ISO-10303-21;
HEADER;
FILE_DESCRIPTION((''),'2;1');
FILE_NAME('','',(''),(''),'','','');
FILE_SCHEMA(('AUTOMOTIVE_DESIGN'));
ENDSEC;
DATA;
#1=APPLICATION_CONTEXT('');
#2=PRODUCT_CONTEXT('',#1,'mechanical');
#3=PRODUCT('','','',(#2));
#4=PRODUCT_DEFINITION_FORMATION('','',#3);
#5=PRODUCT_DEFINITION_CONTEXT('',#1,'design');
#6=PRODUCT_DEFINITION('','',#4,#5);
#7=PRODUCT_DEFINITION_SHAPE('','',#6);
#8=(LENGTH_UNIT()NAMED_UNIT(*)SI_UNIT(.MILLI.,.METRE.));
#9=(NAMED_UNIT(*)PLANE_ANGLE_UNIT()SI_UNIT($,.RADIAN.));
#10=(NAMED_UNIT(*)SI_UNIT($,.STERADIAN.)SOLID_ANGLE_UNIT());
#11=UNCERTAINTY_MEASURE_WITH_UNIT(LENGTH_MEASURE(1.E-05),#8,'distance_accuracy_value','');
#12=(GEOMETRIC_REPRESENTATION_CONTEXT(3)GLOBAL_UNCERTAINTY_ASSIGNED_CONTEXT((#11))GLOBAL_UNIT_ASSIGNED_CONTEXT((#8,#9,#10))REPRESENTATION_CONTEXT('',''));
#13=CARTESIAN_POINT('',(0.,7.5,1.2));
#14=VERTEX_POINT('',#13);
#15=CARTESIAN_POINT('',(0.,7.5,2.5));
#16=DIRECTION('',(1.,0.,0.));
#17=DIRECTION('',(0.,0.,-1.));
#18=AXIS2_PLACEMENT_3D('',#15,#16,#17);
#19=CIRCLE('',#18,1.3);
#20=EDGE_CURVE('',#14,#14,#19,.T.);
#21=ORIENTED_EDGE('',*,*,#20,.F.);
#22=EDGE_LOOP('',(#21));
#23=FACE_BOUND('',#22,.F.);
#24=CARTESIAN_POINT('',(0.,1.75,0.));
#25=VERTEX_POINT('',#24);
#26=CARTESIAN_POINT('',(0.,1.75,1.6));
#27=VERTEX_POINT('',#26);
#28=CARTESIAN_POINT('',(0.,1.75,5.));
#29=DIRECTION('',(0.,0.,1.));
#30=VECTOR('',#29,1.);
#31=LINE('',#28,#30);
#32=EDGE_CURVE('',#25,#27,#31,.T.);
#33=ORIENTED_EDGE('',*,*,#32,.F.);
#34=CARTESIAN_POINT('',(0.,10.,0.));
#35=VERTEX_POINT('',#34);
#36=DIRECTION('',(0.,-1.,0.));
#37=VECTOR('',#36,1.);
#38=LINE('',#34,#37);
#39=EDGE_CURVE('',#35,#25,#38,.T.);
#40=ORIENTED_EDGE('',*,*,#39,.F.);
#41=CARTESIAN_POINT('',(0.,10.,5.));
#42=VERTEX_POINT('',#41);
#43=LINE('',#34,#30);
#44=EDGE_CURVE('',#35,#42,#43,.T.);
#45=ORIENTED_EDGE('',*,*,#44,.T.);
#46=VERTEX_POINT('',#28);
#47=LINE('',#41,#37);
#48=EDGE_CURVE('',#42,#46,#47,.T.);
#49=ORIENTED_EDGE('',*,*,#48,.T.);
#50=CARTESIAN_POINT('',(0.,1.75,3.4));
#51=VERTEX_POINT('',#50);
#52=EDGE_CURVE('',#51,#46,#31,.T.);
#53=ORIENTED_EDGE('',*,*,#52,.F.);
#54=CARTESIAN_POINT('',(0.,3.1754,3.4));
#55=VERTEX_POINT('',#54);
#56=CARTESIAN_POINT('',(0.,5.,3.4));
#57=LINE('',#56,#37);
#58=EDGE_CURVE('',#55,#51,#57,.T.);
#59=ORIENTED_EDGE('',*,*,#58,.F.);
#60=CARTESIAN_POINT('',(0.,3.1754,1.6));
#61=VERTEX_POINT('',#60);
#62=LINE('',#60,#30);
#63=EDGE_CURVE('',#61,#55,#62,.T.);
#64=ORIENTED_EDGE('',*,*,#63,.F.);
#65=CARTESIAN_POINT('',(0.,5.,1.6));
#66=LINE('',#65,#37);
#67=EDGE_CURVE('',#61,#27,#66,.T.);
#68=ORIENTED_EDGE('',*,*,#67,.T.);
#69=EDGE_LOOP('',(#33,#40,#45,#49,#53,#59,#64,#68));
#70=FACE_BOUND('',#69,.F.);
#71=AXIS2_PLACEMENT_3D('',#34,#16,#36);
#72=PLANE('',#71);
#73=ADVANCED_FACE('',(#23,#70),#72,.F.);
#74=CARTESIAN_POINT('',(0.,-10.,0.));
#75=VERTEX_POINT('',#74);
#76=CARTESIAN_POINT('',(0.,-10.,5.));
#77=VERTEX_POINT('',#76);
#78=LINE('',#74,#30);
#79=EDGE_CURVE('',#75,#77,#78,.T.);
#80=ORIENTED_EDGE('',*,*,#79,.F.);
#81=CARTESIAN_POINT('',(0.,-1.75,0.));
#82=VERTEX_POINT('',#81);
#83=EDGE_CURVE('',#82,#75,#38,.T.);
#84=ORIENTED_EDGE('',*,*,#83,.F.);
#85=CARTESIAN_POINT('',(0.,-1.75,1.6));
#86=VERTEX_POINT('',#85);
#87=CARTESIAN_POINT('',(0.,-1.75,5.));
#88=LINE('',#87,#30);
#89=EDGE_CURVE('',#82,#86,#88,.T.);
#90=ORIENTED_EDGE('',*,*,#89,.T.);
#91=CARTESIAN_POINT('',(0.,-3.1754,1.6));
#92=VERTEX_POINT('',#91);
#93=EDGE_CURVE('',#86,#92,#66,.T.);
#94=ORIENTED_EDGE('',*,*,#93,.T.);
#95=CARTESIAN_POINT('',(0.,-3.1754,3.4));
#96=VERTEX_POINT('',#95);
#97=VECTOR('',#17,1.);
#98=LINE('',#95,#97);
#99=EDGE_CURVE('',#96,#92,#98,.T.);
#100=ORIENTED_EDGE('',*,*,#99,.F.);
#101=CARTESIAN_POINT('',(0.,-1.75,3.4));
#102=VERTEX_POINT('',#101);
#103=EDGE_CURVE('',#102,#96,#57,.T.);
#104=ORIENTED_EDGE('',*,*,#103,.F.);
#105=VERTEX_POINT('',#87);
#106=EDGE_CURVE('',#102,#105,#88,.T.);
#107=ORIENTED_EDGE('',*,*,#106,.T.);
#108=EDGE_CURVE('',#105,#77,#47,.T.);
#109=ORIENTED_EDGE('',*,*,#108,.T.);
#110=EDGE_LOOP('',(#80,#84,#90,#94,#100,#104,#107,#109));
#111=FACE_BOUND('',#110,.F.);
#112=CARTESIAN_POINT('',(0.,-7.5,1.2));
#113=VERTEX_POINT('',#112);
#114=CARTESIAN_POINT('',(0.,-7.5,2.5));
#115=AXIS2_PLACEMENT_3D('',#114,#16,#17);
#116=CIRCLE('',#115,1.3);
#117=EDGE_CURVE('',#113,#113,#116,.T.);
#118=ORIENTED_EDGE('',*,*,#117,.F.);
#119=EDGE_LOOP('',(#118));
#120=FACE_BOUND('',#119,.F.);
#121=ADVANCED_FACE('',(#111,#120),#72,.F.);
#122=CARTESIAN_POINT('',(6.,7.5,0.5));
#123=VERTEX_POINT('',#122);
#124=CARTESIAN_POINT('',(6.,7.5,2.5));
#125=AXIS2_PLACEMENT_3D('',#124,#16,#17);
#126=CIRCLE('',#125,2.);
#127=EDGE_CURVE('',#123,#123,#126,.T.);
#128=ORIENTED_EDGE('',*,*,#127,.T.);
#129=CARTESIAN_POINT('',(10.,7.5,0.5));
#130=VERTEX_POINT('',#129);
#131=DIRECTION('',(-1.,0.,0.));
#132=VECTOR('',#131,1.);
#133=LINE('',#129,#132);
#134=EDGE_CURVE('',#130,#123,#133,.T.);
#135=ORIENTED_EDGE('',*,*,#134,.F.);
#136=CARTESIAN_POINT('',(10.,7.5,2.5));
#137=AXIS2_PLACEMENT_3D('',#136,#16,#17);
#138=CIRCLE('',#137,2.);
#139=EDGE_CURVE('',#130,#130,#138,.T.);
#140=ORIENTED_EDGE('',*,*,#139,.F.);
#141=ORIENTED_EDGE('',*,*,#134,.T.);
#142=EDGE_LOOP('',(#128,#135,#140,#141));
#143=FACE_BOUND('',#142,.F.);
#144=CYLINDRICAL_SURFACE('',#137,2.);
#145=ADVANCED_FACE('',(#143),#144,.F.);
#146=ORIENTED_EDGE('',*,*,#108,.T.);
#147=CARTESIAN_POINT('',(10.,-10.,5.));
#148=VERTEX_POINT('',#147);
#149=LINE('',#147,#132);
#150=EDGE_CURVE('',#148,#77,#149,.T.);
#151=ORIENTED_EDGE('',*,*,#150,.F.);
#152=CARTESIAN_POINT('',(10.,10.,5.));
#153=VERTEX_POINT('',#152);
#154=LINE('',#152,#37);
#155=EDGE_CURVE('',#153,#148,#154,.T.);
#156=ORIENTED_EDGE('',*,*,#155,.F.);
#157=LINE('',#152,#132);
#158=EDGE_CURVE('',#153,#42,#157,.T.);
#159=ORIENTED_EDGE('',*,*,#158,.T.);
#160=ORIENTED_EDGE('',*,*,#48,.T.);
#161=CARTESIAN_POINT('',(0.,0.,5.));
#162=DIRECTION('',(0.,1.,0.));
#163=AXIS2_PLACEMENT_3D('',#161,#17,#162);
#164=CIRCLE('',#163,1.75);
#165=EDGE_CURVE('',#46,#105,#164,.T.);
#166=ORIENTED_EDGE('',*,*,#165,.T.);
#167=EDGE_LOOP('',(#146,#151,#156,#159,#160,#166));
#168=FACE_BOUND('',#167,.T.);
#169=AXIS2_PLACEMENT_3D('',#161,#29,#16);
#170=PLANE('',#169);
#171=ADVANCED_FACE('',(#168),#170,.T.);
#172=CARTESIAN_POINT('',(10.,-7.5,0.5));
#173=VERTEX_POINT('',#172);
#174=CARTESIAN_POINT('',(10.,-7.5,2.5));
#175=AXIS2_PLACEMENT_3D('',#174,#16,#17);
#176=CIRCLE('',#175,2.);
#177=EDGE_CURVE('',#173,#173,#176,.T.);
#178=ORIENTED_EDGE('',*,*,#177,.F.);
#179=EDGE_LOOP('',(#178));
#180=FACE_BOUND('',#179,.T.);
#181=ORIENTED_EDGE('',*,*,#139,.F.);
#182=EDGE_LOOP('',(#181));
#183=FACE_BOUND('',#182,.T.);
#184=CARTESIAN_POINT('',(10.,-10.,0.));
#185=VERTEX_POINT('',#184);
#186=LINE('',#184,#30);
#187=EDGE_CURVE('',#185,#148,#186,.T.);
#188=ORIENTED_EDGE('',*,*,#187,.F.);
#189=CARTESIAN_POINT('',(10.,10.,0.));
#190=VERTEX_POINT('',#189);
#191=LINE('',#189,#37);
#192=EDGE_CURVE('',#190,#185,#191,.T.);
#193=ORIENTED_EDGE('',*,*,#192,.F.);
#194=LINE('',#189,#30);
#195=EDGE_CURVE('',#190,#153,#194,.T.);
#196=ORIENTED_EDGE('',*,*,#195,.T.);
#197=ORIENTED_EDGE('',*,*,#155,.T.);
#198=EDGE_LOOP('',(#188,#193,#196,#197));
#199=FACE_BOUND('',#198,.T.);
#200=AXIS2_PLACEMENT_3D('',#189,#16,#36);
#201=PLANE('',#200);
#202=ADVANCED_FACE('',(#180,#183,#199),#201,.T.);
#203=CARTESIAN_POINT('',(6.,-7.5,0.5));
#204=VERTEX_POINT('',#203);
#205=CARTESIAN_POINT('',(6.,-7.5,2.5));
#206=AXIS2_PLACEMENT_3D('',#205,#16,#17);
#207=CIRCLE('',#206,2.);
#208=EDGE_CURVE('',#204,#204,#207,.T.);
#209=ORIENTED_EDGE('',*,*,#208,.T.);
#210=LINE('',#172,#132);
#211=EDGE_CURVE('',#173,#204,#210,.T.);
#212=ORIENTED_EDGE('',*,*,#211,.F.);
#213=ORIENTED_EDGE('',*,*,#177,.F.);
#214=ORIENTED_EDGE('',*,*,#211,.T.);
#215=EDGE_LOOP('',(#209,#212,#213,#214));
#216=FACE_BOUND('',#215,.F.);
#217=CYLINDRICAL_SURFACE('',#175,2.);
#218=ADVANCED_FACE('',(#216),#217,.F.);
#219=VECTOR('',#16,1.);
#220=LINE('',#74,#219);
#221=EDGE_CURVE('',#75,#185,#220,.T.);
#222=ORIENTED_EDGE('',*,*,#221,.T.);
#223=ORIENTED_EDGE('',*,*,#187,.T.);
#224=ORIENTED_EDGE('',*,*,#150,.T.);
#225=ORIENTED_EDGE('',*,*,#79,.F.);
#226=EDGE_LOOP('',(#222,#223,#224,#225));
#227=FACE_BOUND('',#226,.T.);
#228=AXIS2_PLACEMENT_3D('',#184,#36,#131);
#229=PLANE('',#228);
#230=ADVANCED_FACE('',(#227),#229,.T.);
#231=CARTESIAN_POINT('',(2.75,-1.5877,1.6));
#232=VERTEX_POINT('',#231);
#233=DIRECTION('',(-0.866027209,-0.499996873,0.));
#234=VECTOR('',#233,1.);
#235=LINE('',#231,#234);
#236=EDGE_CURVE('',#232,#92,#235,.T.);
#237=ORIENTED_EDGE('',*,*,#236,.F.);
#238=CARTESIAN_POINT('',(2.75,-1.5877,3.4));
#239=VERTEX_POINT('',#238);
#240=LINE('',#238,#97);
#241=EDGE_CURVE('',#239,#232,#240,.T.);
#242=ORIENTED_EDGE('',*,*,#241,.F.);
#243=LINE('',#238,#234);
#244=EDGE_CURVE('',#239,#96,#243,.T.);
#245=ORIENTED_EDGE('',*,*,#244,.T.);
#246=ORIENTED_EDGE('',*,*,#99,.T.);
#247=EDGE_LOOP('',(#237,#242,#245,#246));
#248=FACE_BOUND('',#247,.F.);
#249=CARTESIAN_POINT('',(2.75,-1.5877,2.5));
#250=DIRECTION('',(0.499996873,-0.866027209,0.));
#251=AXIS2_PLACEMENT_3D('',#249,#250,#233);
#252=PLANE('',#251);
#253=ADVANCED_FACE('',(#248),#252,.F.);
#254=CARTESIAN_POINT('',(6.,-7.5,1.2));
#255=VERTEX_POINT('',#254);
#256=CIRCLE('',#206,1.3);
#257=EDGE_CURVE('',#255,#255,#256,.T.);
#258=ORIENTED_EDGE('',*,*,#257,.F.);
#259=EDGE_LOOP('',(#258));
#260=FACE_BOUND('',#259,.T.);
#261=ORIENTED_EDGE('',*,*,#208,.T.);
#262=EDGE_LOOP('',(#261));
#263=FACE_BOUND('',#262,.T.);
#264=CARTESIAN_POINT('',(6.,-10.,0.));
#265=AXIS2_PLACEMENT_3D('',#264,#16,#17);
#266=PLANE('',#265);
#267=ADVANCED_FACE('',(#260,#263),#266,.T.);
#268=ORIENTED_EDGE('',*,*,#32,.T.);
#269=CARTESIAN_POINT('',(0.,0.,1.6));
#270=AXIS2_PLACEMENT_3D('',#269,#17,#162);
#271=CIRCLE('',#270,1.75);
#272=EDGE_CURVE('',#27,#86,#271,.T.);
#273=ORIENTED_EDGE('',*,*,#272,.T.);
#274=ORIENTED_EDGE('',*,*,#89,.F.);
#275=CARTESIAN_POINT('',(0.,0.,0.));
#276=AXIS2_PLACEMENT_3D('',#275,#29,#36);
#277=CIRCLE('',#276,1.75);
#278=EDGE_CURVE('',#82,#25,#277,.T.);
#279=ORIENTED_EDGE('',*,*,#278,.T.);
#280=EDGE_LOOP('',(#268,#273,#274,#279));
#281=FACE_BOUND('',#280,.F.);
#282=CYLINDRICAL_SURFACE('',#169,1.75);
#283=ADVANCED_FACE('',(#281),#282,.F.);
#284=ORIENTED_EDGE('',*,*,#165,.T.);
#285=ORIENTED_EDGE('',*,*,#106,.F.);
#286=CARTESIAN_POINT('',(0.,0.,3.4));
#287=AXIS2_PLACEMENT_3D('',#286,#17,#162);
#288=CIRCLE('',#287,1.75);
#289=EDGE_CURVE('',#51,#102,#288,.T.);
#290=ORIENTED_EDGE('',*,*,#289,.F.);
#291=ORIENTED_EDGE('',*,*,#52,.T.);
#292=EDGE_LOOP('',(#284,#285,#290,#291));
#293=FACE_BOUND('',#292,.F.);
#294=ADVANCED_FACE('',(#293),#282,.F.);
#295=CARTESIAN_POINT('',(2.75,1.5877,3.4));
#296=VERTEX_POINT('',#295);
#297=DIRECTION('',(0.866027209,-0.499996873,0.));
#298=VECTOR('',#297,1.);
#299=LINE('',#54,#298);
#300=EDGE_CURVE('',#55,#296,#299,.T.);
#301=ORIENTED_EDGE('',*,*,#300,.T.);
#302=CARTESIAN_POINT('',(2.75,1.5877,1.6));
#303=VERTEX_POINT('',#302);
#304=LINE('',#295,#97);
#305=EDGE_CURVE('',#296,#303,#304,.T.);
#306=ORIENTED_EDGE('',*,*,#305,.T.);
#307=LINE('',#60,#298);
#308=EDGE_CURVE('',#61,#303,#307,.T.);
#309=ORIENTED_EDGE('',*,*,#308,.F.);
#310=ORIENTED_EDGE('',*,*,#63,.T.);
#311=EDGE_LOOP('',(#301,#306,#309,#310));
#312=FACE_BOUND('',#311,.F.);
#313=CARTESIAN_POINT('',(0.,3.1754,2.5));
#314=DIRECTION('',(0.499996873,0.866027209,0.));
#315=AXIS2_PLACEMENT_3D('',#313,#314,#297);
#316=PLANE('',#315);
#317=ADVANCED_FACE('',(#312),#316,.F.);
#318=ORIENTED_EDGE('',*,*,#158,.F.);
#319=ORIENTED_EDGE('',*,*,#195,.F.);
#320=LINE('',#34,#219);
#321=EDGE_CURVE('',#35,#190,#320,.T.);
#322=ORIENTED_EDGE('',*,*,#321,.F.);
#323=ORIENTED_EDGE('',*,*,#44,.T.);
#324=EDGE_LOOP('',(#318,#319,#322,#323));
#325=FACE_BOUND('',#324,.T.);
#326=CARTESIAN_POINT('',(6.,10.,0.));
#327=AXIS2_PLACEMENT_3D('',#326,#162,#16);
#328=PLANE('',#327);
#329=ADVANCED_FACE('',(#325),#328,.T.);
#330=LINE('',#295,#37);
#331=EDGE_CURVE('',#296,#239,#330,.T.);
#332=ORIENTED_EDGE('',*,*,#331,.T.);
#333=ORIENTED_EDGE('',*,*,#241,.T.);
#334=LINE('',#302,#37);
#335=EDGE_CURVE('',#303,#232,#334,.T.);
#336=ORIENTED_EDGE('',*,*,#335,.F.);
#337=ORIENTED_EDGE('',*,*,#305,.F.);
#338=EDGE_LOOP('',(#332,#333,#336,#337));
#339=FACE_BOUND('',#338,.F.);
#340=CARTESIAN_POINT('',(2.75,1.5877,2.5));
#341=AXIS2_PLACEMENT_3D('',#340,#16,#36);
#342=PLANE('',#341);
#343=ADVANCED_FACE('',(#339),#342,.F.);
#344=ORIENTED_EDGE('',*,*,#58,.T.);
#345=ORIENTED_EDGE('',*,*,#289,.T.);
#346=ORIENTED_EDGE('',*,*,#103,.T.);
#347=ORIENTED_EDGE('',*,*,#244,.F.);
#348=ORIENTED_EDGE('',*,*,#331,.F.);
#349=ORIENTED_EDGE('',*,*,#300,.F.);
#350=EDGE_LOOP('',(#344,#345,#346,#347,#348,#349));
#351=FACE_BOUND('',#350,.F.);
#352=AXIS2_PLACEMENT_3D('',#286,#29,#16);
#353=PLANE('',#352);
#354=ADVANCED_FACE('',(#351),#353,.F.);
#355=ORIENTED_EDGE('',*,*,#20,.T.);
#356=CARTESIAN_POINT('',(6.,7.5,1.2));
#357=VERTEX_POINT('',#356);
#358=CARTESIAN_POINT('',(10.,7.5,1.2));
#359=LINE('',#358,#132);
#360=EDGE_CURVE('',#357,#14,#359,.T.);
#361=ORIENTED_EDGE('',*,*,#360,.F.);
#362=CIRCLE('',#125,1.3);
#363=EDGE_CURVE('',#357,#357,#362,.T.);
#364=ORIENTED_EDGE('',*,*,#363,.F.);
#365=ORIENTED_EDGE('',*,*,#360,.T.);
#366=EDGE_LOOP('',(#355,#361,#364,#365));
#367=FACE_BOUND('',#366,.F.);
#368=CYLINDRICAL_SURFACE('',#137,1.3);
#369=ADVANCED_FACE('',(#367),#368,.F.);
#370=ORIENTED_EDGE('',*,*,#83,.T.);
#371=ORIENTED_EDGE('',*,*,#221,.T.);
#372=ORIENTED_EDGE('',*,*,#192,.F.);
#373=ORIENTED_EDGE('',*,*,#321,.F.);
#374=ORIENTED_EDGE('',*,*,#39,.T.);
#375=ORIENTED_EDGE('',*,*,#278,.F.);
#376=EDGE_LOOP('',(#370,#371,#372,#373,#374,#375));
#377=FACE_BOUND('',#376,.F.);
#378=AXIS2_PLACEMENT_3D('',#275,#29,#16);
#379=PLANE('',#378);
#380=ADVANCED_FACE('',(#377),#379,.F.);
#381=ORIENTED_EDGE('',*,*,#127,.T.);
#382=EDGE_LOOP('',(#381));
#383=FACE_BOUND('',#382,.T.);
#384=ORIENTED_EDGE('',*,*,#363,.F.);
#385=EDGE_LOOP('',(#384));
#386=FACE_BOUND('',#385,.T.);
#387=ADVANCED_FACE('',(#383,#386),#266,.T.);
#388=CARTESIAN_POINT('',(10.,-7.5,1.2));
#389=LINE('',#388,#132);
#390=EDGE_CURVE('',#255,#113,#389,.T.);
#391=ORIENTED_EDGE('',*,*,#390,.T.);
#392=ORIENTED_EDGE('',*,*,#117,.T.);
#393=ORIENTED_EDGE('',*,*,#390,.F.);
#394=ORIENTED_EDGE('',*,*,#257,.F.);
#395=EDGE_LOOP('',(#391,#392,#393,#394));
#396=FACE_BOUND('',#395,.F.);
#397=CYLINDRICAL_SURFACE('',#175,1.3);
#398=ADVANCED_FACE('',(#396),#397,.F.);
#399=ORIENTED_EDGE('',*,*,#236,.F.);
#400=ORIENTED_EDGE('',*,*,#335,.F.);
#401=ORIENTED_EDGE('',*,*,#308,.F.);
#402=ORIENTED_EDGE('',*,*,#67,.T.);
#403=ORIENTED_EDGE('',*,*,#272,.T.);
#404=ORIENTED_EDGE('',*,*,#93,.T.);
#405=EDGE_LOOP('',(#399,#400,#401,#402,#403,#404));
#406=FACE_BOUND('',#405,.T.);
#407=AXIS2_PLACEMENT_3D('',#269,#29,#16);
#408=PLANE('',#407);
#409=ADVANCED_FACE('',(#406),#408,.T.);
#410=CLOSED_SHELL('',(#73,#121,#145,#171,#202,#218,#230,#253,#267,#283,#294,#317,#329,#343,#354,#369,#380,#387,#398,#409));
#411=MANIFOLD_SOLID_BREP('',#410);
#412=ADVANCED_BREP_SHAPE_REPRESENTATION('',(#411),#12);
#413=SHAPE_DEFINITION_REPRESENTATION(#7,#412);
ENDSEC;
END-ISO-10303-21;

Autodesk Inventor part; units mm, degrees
ref_plane "YZ Plane" through (0, 0, 0) normal (1, 0, 0) x (0, 1, 0)
ref_plane "XZ Plane" through (0, 0, 0) normal (0, 1, 0) x (-1, 0, 0)
ref_plane "XY Plane" through (0, 0, 0) normal (0, 0, 1) x (1, 0, 0)
sketch "Sketch1" plane through (0, 0, 0) normal (0, 0, 1) x (1, 0, 0)
  line L0 (10, -10) -> (-10, -10)
  line L1 (-10, -10) -> (-10, 10)
  line L2 (-10, 10) -> (10, 10)
  line L3 (10, 10) -> (10, -10)
  line L4 (10, -10) -> (-10, 10) construction
  line L5 (-10, -10) -> (10, 10) construction
  line L6 (10, -10) -> (6, -10)
  line L7 (6, 10) -> (10, 10)
  line L8 (10, 10) -> (10, -10)
  line L9 (0, 10) -> (0, -10)
  line L10 (0, -10) -> (0, 10)
  point P0 (0, 0)
  dimension "d0" = 20
  dimension "d1" = 20
extrude "Extrusion1" add sketch "Sketch1" along normal blind 5 contours L0 L9 L2 L3
ref_plane "Work Plane1" through (0, 0, 2.5) normal (0, 0, 1) x (1, 0, 0)
sketch "Sketch2" plane through (0, 0, 2.5) normal (0, 0, 1) x (1, 0, 0)
  line L0 (0, 10) -> (0, -10) projected
  line L1 (0, 3.1754) -> (2.75, 1.5877)
  line L2 (2.75, 1.5877) -> (2.75, -1.5877)
  line L3 (2.75, -1.5877) -> (0, -3.1754)
  line L4 (0, -3.1754) -> (-2.75, -1.5877)
  line L5 (-2.75, -1.5877) -> (-2.75, 1.5877)
  line L6 (-2.75, 1.5877) -> (0, 3.1754)
  point P0 (0, 0)
  point P1 (0, 0)
  dimension "d12" = 5.5
extrude "Extrusion2" cut sketch "Sketch2" along normal mid plane 1.8
sketch "Sketch3" plane through (0, 0, 5) normal (0, 0, 1) x (1, 0, 0)
  circle A0 centre (0, 0) radius 1.75
  dimension "d15" = 3.5
extrude "Extrusion3" cut sketch "Sketch3" against normal blind 8
sketch "Sketch4" plane through (10, -10, 0) normal (1, 0, 0) x (0, 0, -1)
  circle A0 centre (-2.5, 17.5) radius 1.3
  circle A1 centre (-2.5, 2.5) radius 1.3
  line L0 (0, 20) -> (-5, 20) projected
  line L1 (0, 0) -> (-5, 0) projected
  line L2 (0, 0) -> (0, 20) projected
  point P0 (0, 10)
  dimension "d18" = 2.5
  dimension "d19" = 2.5
  dimension "d20" = 2.5
  dimension "d21" = 2.5
  dimension "d22" = 2.6
  dimension "d23" = 2.6
extrude "Extrusion4" cut sketch "Sketch4" against normal blind 25
sketch "Sketch5" plane through (10, -10, 0) normal (1, 0, 0) x (0, 0, -1)
  circle A0 centre (-2.5, 17.5) radius 1.3 projected
  circle A1 centre (-2.5, 17.5) radius 2
  circle A2 centre (-2.5, 2.5) radius 1.3 projected
  circle A3 centre (-2.5, 2.5) radius 2
  point P0 (0, 10)
  dimension "d26" = 4
  dimension "d27" = 4
extrude "Extrusion5" cut sketch "Sketch5" against normal blind 4 contours A0 | A1 | A2 | A3
equation "\"d18\" = d19"
equation "\"d20\" = d19"
equation "\"d21\" = d19"
equation "\"d23\" = d22"
equation "\"d27\" = d26"
properties part number "POMSliderMotor"
